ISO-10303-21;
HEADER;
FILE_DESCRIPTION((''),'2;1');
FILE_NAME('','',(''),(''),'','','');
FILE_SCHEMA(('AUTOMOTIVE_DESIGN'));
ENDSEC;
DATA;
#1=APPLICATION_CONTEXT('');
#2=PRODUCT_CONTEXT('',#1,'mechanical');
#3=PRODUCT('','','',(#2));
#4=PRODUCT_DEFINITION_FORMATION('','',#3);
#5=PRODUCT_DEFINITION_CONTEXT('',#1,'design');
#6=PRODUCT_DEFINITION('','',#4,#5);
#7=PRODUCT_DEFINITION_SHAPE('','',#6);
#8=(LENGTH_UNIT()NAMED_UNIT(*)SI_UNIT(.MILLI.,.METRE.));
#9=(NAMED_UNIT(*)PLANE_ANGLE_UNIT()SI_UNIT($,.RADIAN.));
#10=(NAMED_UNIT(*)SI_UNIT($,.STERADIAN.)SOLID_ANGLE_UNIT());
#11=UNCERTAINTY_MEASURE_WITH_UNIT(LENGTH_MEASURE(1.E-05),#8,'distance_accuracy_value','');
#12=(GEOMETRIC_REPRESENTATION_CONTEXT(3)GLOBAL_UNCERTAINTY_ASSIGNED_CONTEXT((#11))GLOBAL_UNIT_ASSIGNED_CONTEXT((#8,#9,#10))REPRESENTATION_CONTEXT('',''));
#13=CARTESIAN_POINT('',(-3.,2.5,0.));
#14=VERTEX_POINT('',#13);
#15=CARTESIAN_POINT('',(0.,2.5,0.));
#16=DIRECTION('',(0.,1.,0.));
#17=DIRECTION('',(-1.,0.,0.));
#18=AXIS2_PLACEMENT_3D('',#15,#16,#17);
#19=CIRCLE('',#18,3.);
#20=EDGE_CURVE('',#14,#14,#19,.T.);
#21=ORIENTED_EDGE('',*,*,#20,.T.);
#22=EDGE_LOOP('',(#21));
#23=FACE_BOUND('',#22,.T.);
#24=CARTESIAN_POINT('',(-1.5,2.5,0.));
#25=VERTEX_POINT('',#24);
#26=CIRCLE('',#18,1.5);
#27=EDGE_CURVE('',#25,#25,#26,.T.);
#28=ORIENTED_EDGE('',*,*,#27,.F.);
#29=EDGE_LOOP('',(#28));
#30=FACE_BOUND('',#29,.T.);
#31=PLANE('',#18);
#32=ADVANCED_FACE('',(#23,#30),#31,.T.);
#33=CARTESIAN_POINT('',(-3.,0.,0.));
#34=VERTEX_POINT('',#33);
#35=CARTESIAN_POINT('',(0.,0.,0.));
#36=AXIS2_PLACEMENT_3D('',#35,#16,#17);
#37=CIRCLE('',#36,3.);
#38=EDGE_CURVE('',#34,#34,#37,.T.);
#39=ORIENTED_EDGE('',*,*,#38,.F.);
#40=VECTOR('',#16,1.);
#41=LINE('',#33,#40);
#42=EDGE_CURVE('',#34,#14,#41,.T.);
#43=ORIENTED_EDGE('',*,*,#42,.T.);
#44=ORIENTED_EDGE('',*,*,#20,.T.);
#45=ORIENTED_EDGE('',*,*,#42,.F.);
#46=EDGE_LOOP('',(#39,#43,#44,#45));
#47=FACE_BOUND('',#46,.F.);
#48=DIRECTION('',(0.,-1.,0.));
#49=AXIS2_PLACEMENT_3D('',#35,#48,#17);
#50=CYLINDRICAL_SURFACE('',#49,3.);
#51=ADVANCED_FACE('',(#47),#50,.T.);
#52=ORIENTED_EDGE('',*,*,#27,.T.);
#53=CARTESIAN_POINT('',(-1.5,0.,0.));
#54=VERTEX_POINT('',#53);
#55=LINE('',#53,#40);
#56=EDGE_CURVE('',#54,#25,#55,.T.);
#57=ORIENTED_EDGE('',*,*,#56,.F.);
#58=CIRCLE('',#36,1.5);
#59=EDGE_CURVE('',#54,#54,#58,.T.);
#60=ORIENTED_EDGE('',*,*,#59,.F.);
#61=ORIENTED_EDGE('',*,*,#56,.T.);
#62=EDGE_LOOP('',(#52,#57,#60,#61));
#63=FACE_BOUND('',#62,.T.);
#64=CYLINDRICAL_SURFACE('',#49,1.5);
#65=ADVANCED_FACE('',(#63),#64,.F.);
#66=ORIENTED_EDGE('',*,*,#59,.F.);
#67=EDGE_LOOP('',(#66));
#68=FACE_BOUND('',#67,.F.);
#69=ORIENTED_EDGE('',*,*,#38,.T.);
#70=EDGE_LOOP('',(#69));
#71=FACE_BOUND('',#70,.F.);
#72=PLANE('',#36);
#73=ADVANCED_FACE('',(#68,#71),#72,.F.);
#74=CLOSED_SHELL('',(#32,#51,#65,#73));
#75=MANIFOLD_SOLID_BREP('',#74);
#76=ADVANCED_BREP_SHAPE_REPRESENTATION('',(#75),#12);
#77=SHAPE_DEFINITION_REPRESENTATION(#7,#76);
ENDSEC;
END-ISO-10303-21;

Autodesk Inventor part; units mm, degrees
ref_plane "YZ Plane" through (0, 0, 0) normal (1, 0, 0) x (0, 1, 0)
ref_plane "XZ Plane" through (0, 0, 0) normal (0, 1, 0) x (-1, 0, 0)
ref_plane "XY Plane" through (0, 0, 0) normal (0, 0, 1) x (1, 0, 0)
sketch "Sketch1" plane through (0, 0, 0) normal (0, 1, 0) x (-1, 0, 0)
  circle A0 centre (0, 0) radius 1.5
  circle A1 centre (0, 0) radius 3
  dimension "d0" = 3
  dimension "d1" = 6
extrude "Extrusion1" add sketch "Sketch1" along normal blind 2.5
properties part number "small_bearing"
